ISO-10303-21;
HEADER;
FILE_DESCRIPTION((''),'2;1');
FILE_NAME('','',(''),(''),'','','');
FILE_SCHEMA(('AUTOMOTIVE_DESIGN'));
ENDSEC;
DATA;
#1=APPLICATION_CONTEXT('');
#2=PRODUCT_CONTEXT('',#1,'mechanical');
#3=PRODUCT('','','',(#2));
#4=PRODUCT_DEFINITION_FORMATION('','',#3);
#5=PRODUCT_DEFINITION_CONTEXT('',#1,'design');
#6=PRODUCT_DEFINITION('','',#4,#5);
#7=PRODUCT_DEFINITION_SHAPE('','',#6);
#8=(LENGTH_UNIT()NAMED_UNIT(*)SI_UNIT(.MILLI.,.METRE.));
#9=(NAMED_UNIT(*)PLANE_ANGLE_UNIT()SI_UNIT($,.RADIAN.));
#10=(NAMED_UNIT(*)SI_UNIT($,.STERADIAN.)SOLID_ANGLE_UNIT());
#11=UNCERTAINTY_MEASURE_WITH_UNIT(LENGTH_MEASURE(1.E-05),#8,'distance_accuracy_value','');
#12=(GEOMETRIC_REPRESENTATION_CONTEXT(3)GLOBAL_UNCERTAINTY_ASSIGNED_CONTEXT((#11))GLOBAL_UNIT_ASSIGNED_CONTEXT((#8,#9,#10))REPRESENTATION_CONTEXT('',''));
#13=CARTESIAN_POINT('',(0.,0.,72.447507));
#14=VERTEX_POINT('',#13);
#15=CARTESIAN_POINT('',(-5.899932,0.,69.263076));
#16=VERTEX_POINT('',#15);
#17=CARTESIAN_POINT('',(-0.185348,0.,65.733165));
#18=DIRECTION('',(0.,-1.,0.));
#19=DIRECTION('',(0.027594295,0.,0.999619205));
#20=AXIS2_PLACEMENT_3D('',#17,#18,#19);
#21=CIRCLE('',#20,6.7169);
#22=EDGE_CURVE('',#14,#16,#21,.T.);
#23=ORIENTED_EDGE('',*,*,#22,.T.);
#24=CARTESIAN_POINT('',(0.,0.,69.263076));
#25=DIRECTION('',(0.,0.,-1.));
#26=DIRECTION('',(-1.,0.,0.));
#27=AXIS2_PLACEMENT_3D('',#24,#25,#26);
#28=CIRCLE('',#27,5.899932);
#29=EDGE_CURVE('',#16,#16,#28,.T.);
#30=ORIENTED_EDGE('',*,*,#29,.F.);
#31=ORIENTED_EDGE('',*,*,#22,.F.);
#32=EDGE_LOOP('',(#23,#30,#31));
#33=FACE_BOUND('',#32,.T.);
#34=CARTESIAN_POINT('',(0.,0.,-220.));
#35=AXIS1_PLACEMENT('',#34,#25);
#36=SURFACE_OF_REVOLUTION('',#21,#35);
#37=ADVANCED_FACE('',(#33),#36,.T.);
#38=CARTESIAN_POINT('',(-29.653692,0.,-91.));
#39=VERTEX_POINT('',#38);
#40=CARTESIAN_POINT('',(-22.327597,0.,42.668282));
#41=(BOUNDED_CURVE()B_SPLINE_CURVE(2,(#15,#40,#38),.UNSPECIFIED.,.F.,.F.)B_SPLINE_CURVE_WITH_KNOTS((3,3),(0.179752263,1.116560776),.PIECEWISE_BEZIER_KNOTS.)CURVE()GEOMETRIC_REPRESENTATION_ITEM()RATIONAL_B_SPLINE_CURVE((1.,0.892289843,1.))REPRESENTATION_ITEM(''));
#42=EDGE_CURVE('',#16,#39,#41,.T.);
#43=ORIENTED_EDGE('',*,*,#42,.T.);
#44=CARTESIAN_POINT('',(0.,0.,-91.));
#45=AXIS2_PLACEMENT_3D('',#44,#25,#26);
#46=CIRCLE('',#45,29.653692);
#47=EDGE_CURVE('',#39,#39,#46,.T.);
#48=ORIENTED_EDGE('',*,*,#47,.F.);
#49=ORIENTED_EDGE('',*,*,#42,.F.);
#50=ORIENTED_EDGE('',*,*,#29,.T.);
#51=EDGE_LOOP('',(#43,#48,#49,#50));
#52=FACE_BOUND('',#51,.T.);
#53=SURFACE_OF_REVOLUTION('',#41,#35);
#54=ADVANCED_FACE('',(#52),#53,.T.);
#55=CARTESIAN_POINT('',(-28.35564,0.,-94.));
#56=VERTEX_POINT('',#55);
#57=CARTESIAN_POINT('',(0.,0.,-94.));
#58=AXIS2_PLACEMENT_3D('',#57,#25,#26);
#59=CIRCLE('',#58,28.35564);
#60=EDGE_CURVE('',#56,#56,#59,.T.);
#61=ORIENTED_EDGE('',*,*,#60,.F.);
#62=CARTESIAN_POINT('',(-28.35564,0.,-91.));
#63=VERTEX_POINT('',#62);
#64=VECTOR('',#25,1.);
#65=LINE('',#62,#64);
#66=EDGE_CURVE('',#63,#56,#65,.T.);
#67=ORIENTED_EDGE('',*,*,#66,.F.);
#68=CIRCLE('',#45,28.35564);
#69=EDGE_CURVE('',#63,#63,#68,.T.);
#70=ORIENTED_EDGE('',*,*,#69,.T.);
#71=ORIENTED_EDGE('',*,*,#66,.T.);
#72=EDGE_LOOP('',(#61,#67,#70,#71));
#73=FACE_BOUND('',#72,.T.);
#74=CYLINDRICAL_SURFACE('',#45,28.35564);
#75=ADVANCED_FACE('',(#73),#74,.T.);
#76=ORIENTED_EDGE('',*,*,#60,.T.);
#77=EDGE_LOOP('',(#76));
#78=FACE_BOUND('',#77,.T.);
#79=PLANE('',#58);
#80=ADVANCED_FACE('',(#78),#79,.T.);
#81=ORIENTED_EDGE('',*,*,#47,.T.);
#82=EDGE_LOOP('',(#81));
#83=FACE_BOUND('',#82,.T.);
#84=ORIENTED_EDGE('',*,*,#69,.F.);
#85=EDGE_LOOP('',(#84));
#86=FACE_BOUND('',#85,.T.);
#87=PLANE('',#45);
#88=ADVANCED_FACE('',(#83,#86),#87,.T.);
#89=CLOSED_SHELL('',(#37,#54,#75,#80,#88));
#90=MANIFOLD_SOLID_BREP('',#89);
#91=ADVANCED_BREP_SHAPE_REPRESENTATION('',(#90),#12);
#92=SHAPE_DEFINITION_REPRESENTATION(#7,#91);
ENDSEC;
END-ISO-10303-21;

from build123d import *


with BuildPart() as f1:
    # F0 (on Front) → F1 (revolve)
    with BuildSketch(Plane.XZ):
        with BuildLine():
            Line((-29.6536915112, 129), (-28.35564, 129))
            Line((-28.35564, 129), (-28.35564, 126))
            Line((-28.35564, 126), (0, 126))
            Line((0, 126), (0, 129))
            Line((0, 129), (0, 292.4475073814))
            ThreePointArc((0, 292.4475073814), (-3.3756872279, 291.644043472), (-5.8999324987, 289.263076373))
            add(Edge.make_bspline(
                [(-5.8999324987, 289.263076373), (-22.3275967978, 262.6682816377), (-29.6536915112, 129)],
                knots=[0.1797522628, 0.1797522628, 0.1797522628, 1.1165607764, 1.1165607764, 1.1165607764], degree=2, weights=[1, 0.892289843, 1]))
        make_face()
    revolve(axis=Axis((0, 0, 0), (0, 0, -1)))


with BuildPart() as f1_1:
    # F2: moved
    add(f1.part.moved(Location((0, 0, -220))))


solid = f1_1.part
